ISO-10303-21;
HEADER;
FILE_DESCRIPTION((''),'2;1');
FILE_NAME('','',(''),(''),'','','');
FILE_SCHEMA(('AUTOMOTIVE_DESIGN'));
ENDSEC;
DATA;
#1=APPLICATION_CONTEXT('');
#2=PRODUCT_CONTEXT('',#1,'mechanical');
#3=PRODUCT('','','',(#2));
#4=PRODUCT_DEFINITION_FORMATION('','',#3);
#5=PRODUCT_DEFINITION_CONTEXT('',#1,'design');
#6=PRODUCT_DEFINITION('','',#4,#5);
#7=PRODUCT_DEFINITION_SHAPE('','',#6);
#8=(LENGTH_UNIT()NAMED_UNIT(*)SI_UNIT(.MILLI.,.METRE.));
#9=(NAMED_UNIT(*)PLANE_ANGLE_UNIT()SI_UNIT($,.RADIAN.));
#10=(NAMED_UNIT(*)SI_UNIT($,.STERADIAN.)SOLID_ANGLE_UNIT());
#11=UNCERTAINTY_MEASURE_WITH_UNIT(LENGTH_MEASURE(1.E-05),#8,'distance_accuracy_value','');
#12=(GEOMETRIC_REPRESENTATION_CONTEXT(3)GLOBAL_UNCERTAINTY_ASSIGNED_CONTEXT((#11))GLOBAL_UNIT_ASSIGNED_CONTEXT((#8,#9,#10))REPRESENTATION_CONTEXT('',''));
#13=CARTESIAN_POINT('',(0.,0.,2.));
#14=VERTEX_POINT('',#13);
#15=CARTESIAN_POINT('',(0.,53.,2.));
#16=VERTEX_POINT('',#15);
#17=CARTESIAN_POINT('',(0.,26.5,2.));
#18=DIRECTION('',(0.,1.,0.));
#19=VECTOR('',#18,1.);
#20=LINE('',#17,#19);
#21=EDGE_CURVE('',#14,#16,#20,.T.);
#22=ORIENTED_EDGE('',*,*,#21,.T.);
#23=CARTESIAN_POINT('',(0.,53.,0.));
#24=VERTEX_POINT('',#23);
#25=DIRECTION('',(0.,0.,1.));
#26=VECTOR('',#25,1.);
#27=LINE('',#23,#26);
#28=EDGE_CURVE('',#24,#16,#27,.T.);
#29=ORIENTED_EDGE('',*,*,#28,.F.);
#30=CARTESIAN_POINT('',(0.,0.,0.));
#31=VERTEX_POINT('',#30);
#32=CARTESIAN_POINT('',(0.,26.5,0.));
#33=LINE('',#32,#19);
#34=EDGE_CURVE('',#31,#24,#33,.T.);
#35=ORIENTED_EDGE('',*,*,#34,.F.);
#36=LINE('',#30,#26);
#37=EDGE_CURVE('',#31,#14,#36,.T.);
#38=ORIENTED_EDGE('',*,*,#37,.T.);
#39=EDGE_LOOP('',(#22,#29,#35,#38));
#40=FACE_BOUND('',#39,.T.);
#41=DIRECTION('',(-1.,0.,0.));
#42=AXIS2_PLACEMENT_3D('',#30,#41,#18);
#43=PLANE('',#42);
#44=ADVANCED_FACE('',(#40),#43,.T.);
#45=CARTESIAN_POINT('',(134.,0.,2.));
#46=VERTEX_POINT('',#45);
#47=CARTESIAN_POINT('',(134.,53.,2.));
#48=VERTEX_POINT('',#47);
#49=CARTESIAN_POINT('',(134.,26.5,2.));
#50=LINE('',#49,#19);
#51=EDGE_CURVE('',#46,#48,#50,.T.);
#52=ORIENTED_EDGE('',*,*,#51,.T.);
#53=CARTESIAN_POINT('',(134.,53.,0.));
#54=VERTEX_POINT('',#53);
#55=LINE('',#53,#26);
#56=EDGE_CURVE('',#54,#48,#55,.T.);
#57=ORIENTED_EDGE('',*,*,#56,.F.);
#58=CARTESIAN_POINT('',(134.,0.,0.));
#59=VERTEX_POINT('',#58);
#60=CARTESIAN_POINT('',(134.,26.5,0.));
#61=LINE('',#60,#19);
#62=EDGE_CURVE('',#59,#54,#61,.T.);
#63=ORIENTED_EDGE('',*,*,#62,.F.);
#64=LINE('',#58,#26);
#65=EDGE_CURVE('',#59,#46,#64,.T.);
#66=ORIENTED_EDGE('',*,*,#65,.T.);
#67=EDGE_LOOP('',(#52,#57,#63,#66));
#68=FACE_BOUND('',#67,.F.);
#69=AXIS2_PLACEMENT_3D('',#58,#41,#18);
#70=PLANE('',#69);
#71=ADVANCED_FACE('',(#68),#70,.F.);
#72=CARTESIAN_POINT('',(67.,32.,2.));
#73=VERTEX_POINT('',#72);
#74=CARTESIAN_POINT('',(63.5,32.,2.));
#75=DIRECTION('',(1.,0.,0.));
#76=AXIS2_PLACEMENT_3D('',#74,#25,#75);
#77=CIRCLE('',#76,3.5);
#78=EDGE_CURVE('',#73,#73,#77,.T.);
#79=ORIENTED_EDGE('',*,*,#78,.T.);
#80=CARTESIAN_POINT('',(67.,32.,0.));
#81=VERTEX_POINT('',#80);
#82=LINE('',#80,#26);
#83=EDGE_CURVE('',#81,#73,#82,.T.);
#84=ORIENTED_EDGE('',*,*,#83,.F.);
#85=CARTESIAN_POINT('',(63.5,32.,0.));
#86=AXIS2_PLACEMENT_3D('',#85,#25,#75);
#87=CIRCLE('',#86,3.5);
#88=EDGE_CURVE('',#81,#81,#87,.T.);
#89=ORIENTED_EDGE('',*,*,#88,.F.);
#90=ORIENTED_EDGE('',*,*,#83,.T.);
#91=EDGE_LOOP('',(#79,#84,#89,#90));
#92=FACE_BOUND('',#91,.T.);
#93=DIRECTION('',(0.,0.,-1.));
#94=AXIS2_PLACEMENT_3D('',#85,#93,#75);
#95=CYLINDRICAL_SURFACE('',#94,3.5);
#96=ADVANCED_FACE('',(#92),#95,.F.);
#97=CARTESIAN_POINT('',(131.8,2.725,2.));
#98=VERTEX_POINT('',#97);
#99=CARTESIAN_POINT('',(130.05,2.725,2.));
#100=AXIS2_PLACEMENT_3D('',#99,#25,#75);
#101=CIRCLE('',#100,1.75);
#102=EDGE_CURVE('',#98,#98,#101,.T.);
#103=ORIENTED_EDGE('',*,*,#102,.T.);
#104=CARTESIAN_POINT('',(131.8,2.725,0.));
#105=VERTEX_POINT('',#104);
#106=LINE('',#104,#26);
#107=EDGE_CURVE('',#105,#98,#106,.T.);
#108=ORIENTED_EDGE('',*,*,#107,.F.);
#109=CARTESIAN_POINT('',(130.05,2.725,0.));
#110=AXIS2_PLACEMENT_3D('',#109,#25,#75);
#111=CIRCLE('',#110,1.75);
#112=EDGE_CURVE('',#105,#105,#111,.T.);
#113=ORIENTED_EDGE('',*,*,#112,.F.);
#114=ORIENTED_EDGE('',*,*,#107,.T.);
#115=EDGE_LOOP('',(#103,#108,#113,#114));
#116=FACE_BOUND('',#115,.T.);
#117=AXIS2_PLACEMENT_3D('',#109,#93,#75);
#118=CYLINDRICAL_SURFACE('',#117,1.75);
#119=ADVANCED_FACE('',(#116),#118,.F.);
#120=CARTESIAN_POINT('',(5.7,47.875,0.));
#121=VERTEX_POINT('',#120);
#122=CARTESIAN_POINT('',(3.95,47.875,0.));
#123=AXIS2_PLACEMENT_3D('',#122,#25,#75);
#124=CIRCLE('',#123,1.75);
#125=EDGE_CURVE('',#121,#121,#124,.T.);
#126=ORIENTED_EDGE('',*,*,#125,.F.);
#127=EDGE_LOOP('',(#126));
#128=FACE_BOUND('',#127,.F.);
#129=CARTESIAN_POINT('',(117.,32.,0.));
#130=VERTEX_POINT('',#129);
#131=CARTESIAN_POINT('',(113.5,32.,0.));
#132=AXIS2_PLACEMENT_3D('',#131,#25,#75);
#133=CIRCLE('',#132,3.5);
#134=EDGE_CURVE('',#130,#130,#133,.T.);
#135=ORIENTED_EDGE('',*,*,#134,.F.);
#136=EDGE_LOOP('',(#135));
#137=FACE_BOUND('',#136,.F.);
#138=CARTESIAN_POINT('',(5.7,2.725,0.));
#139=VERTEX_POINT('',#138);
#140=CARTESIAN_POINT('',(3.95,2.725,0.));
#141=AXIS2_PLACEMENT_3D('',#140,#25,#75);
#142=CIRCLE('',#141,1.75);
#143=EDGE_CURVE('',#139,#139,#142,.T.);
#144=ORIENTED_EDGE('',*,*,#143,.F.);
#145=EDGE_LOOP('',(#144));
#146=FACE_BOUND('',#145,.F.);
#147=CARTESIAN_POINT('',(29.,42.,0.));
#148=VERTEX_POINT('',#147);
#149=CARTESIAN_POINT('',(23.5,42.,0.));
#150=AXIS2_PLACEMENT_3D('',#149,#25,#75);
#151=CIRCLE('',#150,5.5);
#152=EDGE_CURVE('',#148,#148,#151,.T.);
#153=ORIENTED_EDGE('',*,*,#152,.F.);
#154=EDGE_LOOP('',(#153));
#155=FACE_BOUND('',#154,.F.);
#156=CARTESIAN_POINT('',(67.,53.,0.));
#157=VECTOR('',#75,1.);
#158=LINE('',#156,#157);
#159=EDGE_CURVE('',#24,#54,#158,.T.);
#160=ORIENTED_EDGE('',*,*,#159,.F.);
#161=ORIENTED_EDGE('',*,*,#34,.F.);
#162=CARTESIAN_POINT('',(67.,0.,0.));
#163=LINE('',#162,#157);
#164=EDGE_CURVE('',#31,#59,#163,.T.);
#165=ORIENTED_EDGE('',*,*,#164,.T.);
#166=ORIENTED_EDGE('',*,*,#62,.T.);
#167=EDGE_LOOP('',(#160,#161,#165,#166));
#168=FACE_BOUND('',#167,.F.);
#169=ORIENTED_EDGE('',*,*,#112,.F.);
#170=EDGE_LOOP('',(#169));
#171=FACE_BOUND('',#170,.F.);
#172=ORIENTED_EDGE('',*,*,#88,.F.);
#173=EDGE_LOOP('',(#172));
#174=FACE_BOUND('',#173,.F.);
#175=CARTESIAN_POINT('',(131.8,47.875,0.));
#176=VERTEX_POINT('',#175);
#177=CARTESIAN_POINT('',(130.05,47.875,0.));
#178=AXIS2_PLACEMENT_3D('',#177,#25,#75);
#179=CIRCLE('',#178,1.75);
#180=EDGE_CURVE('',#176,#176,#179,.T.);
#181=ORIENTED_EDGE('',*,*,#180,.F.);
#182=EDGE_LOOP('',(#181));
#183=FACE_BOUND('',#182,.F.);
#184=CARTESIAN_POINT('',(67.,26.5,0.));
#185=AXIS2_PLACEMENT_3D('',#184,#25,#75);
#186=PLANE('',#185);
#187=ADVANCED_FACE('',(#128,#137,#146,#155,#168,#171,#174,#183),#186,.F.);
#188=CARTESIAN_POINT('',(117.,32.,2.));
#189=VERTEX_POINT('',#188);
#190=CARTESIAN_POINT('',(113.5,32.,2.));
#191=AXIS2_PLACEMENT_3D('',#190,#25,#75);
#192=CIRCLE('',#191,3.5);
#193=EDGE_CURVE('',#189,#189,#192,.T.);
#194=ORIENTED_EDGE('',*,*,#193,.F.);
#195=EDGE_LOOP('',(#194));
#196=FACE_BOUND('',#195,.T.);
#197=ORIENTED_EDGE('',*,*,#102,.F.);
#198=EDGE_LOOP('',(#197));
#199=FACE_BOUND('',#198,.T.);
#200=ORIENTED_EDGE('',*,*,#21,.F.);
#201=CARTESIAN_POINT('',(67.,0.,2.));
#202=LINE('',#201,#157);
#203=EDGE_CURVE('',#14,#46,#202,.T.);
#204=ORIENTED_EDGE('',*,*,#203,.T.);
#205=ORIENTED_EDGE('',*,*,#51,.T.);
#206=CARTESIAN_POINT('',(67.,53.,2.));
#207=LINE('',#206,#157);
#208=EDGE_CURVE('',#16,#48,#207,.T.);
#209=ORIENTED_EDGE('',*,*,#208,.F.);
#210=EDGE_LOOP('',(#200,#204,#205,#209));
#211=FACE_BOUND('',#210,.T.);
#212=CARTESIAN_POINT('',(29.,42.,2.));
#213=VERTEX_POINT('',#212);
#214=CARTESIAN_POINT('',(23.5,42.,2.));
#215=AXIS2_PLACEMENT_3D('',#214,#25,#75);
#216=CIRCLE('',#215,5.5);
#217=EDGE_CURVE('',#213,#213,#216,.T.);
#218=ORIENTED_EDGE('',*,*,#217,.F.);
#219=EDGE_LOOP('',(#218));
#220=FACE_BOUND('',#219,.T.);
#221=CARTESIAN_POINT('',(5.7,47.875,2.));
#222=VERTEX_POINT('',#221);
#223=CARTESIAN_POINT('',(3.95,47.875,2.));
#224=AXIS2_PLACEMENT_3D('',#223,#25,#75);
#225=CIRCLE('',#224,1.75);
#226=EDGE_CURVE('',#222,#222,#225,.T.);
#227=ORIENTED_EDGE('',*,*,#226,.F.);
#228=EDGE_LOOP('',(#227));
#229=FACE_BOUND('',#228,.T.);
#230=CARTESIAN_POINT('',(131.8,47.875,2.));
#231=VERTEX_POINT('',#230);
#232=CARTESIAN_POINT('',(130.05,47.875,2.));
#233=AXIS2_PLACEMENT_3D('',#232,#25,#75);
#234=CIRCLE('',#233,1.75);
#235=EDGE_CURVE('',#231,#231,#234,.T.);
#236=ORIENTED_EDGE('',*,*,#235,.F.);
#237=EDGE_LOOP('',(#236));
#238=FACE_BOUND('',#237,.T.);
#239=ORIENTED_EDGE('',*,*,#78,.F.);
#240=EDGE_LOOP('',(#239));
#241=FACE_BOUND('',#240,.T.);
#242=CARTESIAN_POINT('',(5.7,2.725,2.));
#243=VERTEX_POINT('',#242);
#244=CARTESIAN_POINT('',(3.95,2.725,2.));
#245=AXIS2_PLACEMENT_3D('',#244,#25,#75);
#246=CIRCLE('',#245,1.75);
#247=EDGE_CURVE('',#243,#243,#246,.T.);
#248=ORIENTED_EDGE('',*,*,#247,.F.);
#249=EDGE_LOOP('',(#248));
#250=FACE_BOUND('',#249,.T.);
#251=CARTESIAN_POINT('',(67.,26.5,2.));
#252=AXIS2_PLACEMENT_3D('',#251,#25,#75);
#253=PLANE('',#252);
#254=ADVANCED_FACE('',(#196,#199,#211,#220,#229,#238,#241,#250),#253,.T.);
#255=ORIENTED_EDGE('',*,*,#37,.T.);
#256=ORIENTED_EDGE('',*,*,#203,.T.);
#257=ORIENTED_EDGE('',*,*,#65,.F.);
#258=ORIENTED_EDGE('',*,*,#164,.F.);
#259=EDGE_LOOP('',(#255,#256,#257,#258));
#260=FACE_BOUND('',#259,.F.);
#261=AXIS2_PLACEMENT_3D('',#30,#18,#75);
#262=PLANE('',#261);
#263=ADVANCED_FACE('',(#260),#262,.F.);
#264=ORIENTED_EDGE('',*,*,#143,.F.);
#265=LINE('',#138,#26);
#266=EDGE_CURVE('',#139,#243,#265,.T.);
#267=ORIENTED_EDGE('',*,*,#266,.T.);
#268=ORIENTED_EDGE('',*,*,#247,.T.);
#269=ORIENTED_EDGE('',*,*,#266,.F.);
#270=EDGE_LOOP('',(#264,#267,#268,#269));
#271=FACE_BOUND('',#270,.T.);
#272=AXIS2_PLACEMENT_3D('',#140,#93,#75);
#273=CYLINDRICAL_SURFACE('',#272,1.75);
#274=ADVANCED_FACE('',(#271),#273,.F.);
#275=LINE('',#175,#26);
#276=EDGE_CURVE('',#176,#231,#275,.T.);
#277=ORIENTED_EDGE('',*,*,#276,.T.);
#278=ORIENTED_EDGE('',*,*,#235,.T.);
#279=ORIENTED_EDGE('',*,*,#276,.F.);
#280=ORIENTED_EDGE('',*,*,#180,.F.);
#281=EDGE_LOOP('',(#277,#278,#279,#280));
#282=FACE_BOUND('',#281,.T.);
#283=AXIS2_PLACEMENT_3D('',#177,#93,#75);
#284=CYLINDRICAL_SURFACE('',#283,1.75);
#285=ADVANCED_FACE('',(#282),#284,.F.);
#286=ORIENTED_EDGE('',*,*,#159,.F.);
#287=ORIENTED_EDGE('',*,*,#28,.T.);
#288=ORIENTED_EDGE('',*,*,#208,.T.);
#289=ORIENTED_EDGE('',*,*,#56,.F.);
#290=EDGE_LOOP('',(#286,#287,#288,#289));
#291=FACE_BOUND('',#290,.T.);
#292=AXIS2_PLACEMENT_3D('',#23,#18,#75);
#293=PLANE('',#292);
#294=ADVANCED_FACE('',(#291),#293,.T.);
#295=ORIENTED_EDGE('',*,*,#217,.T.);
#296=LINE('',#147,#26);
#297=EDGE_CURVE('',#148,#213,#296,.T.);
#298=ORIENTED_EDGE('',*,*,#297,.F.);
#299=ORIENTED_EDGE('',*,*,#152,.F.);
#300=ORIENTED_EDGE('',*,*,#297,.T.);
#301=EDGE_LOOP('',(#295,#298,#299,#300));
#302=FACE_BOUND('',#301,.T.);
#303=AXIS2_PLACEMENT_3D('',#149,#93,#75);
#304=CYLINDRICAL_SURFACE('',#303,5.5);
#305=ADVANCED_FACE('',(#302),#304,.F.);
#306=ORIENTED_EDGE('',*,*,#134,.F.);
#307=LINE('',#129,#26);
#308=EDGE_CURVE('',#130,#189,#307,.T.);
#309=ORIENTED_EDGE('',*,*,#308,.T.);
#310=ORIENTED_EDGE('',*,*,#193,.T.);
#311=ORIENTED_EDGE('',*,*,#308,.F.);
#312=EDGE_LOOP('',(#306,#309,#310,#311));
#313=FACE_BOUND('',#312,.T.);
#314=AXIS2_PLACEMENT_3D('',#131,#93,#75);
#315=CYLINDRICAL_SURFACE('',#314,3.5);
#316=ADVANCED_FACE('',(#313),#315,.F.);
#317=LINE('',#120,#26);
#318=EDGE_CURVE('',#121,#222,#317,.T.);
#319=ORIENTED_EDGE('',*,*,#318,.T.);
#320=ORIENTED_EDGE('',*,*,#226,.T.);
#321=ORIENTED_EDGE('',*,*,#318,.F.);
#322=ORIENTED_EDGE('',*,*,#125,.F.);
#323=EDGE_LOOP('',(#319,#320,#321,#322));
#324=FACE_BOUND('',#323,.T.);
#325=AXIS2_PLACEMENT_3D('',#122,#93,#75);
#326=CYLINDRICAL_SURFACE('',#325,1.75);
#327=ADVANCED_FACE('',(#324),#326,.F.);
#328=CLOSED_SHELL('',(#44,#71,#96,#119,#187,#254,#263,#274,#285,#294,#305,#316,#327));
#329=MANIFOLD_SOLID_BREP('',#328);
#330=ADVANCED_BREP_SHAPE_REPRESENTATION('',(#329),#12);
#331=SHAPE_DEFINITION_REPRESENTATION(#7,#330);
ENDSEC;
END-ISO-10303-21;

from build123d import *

# Parameters (mm, degrees)
SKETCH_W   = 134
SKETCH_H   = 53
SKETCH_R   = 1.75
SKETCH_R_2 = 3.5
SKETCH_R_3 = 5.5
PAD_DEPTH  = 2


with BuildPart() as part:
    # Sketch → Pad (new body)
    with BuildSketch(Plane.XY):
        with Locations((67, 26.5)):
            Rectangle(SKETCH_W, SKETCH_H)
        with Locations((3.95, 47.875)):
            Circle(SKETCH_R, mode=Mode.SUBTRACT)
        with Locations((3.95, 2.725)):
            Circle(SKETCH_R, mode=Mode.SUBTRACT)
        with Locations((130.05, 2.725)):
            Circle(SKETCH_R, mode=Mode.SUBTRACT)
        with Locations((130.05, 47.875)):
            Circle(SKETCH_R, mode=Mode.SUBTRACT)
        with Locations((113.5, 32)):
            Circle(SKETCH_R_2, mode=Mode.SUBTRACT)
        with Locations((63.5, 32)):
            Circle(SKETCH_R_2, mode=Mode.SUBTRACT)
        with Locations((23.5, 42)):
            Circle(SKETCH_R_3, mode=Mode.SUBTRACT)
    extrude(amount=PAD_DEPTH)


solid = part.part
